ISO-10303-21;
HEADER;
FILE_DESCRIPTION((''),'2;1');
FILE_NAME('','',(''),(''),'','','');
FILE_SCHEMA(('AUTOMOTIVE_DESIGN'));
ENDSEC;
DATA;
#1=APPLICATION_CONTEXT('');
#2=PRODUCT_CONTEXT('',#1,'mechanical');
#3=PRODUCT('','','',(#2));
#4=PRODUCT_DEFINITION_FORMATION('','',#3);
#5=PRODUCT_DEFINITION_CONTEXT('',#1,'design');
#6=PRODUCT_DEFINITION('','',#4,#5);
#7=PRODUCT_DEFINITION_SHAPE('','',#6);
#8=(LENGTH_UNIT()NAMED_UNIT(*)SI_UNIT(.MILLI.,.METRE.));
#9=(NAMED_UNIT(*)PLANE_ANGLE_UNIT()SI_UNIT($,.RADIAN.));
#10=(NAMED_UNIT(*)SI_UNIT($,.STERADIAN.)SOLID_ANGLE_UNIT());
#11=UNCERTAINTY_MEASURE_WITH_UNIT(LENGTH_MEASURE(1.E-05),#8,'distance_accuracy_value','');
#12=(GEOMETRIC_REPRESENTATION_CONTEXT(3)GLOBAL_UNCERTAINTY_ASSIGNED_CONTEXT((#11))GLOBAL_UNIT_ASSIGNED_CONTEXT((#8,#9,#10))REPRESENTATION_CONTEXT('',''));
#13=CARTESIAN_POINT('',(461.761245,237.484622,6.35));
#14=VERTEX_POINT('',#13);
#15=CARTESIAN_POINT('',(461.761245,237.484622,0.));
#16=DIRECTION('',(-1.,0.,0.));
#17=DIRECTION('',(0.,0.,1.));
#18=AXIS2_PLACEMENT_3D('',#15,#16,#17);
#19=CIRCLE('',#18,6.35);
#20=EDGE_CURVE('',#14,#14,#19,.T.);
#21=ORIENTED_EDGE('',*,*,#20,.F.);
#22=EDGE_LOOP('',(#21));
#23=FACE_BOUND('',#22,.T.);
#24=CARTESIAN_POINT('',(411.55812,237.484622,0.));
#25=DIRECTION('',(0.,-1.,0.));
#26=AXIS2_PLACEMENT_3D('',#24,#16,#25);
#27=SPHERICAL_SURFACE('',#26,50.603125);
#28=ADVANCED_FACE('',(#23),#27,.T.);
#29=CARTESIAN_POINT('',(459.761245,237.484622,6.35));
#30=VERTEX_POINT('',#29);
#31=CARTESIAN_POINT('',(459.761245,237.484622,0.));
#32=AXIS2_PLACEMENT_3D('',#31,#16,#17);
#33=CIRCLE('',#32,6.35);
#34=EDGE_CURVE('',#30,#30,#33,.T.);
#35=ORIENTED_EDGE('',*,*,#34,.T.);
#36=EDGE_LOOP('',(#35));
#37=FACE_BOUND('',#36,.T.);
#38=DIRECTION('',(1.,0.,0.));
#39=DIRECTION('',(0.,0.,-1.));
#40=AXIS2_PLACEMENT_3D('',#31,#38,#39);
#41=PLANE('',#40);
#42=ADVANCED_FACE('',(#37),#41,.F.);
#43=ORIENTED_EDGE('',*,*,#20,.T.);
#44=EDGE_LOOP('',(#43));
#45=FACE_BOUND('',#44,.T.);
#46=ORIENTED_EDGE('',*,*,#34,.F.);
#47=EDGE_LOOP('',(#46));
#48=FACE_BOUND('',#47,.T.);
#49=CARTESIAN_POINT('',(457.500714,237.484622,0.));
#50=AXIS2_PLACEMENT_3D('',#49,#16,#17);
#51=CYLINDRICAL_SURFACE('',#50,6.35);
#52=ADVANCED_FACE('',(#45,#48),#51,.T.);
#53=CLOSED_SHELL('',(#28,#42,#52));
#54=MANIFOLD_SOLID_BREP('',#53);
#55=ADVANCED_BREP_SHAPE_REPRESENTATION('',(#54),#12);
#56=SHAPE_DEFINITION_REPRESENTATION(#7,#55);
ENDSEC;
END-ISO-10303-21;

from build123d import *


with BuildPart() as part:
    # 草图1 → 旋转1 (revolve)
    with BuildSketch(Plane.XY, mode=Mode.PRIVATE) as revolve_1_sk:
        with BuildLine():
            Line((459.761244984, 237.484622243), (459.761244984, 243.834622243))
            Line((459.761244984, 243.834622243), (461.761244984, 243.834622243))
            ThreePointArc((461.761244984, 243.834622243), (462.06114598, 240.665915219), (462.161244984, 237.484622243))
            Line((462.161244984, 237.484622243), (459.761244984, 237.484622243))
        make_face()
    revolve(revolve_1_sk.sketch.rotate(Axis((457.500713839, 237.484622243, 0), (1, 0, 0)), 180), axis=Axis((457.500713839, 237.484622243, 0), (1, 0, 0)))  # turned: the seam where the file's is


solid = part.part
